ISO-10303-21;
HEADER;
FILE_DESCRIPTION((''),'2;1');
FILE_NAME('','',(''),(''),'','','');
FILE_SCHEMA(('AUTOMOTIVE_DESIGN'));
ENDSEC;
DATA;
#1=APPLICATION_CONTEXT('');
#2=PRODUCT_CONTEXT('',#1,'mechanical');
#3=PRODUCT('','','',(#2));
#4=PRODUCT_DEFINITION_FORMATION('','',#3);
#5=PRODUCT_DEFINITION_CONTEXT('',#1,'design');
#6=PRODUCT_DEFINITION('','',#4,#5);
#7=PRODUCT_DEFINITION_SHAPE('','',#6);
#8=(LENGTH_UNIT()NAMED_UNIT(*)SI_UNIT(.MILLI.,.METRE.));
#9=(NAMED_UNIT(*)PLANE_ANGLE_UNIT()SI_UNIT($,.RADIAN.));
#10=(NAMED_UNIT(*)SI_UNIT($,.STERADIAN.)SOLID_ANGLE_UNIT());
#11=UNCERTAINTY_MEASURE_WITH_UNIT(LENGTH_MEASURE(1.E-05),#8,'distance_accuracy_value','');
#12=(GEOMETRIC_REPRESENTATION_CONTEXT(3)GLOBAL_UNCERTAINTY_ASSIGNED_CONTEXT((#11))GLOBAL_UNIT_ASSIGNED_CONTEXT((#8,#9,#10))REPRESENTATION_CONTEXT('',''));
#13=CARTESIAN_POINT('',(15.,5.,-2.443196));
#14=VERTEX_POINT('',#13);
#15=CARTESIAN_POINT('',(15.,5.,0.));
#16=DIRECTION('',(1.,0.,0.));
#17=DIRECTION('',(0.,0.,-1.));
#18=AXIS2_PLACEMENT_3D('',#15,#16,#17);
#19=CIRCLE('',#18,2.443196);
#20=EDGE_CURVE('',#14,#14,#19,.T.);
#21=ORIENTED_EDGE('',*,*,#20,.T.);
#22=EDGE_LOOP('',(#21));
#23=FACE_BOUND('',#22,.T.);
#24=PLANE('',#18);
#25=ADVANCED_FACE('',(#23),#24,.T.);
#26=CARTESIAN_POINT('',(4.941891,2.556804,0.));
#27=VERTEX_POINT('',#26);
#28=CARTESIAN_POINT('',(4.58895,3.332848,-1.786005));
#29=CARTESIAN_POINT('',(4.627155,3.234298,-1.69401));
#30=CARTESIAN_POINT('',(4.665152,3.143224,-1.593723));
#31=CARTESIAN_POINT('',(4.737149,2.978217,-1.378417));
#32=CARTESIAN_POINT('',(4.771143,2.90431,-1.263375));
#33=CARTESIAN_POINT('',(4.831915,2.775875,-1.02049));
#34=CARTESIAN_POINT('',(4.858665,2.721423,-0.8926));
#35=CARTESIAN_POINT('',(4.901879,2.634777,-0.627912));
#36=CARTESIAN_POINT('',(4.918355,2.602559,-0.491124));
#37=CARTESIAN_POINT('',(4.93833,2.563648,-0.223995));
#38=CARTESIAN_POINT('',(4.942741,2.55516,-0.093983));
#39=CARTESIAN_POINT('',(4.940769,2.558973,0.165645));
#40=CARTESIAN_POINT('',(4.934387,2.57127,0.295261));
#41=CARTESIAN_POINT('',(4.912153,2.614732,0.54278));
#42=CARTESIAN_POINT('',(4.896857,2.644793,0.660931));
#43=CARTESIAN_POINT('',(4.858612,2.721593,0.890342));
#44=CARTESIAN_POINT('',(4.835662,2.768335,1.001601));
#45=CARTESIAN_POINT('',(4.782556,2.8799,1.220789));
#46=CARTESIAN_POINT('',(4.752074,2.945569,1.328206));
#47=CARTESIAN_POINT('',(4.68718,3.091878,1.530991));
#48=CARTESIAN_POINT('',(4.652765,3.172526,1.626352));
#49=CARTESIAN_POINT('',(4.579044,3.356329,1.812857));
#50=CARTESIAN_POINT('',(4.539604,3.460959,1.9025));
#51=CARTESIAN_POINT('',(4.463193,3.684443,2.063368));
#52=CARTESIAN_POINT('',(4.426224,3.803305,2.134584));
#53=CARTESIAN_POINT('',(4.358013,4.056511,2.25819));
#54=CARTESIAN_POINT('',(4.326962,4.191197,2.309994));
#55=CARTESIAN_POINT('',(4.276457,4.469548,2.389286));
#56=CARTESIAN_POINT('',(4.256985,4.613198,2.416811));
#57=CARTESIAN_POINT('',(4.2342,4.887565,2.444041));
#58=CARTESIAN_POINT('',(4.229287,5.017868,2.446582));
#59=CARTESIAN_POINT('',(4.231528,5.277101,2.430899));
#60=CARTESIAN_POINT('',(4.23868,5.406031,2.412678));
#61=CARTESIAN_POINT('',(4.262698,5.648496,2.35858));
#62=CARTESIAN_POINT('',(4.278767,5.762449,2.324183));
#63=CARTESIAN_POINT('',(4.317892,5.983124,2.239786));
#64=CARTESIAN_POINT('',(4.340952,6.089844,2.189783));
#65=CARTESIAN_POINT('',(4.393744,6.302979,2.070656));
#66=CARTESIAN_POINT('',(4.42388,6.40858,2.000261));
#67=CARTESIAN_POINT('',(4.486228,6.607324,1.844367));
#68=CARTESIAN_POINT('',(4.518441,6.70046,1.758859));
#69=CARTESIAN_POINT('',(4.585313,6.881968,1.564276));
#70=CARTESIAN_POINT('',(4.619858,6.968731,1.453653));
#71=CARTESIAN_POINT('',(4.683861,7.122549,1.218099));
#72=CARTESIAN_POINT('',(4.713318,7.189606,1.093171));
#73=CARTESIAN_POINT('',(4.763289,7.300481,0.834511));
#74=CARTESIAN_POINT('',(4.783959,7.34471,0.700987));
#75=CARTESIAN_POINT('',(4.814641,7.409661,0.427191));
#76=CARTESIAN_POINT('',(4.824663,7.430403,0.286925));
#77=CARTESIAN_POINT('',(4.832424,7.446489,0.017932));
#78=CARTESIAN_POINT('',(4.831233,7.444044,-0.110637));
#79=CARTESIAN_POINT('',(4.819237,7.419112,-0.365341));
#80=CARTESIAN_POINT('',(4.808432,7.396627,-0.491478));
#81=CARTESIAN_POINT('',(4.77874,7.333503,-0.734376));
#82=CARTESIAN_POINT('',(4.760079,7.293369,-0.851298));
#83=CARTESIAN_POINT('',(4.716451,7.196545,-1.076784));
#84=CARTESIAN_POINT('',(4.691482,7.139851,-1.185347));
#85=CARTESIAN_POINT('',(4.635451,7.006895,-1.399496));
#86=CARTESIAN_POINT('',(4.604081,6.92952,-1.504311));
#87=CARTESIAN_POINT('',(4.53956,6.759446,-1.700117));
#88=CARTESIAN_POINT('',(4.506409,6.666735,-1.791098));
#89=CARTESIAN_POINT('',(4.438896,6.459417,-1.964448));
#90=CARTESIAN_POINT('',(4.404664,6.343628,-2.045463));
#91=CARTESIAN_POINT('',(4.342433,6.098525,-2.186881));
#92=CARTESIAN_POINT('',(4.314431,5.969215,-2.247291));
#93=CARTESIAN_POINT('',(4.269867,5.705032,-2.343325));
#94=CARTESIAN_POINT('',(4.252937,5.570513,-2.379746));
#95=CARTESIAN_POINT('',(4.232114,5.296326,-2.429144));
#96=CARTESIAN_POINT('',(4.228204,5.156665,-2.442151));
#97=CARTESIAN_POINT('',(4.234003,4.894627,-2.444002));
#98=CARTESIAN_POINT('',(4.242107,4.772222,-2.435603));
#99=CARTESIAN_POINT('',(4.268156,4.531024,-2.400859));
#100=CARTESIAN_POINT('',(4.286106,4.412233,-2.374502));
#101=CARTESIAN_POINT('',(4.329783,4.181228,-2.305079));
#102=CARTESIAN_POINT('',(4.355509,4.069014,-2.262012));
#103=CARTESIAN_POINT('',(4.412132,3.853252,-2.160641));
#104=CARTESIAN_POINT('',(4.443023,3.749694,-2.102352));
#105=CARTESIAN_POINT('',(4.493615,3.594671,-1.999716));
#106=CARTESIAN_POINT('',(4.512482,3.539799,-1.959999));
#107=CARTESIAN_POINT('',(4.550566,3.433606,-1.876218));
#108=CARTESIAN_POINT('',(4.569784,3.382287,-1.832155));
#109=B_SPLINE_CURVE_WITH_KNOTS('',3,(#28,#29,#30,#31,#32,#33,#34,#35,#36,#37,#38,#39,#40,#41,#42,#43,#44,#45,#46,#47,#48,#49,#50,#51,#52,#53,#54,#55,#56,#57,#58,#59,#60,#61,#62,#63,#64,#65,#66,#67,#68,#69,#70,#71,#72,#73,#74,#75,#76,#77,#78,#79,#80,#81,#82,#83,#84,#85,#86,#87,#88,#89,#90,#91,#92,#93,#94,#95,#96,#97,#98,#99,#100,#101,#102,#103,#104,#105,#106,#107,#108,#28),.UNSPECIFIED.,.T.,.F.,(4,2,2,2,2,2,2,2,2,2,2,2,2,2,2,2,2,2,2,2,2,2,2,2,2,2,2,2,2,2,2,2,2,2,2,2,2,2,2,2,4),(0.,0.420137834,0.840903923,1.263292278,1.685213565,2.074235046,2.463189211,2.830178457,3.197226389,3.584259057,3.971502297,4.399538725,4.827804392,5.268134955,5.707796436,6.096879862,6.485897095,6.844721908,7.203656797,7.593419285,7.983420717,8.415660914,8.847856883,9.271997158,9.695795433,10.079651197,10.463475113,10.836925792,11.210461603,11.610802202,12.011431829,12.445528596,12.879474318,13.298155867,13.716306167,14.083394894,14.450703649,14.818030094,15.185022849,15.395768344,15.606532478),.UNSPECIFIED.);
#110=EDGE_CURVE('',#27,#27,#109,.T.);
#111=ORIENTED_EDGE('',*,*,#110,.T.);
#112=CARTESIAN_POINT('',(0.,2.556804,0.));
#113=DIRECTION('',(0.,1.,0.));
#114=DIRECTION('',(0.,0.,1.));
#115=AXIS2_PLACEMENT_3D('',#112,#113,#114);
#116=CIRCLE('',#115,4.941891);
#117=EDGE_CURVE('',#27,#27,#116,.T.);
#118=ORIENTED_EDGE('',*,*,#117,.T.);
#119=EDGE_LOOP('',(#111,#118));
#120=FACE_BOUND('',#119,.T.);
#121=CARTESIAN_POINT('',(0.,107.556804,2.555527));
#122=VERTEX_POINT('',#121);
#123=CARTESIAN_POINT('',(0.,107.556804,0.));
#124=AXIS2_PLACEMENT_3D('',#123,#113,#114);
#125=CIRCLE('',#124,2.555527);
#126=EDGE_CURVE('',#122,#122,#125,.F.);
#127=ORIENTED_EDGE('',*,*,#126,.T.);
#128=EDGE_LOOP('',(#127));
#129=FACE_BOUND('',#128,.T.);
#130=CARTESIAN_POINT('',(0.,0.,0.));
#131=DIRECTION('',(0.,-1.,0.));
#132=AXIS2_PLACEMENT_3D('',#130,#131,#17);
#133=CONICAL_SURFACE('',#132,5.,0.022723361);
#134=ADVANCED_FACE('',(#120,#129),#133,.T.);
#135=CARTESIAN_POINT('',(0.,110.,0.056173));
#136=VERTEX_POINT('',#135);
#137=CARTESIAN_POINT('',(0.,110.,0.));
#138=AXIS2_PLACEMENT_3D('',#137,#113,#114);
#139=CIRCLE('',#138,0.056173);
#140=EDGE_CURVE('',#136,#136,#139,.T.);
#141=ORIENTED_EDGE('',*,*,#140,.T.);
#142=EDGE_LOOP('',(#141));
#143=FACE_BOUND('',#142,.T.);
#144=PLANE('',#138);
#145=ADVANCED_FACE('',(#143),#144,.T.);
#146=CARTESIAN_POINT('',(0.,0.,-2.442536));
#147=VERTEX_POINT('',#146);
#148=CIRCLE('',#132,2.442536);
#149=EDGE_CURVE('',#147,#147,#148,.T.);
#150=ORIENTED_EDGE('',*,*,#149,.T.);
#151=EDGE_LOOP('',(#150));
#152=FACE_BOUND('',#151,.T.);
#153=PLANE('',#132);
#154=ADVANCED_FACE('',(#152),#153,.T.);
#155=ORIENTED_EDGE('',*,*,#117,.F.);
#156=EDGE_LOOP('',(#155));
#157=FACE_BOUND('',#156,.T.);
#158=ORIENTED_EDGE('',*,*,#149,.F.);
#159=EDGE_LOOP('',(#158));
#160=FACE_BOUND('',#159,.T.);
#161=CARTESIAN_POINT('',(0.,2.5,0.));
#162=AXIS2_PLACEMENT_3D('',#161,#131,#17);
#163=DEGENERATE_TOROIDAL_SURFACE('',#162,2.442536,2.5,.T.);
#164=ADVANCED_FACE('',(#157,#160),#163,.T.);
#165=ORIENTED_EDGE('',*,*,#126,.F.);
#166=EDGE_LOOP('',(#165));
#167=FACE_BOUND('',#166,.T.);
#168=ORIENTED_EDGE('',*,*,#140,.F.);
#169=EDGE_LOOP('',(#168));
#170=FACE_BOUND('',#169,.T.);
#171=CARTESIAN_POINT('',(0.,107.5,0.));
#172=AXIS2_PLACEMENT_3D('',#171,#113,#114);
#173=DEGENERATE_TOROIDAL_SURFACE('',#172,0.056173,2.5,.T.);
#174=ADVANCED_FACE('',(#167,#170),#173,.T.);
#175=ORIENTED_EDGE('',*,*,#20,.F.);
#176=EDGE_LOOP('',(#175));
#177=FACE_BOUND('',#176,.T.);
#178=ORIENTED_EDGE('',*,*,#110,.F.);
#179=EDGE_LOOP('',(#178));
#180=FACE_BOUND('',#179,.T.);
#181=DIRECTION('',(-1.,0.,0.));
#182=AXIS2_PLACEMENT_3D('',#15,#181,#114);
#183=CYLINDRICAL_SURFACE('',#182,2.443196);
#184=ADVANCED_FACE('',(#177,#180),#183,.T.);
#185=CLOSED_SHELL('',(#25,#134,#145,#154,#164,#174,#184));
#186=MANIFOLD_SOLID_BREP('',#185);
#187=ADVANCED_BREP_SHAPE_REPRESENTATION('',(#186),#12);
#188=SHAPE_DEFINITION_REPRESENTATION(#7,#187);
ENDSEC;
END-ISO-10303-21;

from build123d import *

# Parameters (mm, degrees)
FILLET1_R           = 2.5
SKETCH2_R           = 2.443196487
BOSS_EXTRUDE1_DEPTH = 15


with BuildPart() as part:
    # Sketch1 → Revolve1 (revolve)
    with BuildSketch(Plane.XY, mode=Mode.PRIVATE) as revolve1_sk:
        Polygon((0, 0), (0, 110), (2.5, 110), (5, 0), align=None)
    revolve(revolve1_sk.sketch.rotate(Axis((0, 0, 0), (0, 1, 0)), 90), axis=Axis((0, 0, 0), (0, 1, 0)))

    # Fillet1
    fillet1_edges = [part.edges().sort_by_distance(p)[0] for p in [
        (0, 110, 2.5),
        (0, 0, 5),
    ]]
    fillet(fillet1_edges, radius=FILLET1_R)

    # Sketch2 → Boss-Extrude1 (add)
    with BuildSketch(Plane(origin=(0, 0, 0), x_dir=(0, 0, -1), z_dir=(1, 0, 0))):
        with Locations(Location((0, 5, 0), (0, 0, 269.999999999))):
            Circle(SKETCH2_R)
    extrude(amount=BOSS_EXTRUDE1_DEPTH)


solid = part.part
